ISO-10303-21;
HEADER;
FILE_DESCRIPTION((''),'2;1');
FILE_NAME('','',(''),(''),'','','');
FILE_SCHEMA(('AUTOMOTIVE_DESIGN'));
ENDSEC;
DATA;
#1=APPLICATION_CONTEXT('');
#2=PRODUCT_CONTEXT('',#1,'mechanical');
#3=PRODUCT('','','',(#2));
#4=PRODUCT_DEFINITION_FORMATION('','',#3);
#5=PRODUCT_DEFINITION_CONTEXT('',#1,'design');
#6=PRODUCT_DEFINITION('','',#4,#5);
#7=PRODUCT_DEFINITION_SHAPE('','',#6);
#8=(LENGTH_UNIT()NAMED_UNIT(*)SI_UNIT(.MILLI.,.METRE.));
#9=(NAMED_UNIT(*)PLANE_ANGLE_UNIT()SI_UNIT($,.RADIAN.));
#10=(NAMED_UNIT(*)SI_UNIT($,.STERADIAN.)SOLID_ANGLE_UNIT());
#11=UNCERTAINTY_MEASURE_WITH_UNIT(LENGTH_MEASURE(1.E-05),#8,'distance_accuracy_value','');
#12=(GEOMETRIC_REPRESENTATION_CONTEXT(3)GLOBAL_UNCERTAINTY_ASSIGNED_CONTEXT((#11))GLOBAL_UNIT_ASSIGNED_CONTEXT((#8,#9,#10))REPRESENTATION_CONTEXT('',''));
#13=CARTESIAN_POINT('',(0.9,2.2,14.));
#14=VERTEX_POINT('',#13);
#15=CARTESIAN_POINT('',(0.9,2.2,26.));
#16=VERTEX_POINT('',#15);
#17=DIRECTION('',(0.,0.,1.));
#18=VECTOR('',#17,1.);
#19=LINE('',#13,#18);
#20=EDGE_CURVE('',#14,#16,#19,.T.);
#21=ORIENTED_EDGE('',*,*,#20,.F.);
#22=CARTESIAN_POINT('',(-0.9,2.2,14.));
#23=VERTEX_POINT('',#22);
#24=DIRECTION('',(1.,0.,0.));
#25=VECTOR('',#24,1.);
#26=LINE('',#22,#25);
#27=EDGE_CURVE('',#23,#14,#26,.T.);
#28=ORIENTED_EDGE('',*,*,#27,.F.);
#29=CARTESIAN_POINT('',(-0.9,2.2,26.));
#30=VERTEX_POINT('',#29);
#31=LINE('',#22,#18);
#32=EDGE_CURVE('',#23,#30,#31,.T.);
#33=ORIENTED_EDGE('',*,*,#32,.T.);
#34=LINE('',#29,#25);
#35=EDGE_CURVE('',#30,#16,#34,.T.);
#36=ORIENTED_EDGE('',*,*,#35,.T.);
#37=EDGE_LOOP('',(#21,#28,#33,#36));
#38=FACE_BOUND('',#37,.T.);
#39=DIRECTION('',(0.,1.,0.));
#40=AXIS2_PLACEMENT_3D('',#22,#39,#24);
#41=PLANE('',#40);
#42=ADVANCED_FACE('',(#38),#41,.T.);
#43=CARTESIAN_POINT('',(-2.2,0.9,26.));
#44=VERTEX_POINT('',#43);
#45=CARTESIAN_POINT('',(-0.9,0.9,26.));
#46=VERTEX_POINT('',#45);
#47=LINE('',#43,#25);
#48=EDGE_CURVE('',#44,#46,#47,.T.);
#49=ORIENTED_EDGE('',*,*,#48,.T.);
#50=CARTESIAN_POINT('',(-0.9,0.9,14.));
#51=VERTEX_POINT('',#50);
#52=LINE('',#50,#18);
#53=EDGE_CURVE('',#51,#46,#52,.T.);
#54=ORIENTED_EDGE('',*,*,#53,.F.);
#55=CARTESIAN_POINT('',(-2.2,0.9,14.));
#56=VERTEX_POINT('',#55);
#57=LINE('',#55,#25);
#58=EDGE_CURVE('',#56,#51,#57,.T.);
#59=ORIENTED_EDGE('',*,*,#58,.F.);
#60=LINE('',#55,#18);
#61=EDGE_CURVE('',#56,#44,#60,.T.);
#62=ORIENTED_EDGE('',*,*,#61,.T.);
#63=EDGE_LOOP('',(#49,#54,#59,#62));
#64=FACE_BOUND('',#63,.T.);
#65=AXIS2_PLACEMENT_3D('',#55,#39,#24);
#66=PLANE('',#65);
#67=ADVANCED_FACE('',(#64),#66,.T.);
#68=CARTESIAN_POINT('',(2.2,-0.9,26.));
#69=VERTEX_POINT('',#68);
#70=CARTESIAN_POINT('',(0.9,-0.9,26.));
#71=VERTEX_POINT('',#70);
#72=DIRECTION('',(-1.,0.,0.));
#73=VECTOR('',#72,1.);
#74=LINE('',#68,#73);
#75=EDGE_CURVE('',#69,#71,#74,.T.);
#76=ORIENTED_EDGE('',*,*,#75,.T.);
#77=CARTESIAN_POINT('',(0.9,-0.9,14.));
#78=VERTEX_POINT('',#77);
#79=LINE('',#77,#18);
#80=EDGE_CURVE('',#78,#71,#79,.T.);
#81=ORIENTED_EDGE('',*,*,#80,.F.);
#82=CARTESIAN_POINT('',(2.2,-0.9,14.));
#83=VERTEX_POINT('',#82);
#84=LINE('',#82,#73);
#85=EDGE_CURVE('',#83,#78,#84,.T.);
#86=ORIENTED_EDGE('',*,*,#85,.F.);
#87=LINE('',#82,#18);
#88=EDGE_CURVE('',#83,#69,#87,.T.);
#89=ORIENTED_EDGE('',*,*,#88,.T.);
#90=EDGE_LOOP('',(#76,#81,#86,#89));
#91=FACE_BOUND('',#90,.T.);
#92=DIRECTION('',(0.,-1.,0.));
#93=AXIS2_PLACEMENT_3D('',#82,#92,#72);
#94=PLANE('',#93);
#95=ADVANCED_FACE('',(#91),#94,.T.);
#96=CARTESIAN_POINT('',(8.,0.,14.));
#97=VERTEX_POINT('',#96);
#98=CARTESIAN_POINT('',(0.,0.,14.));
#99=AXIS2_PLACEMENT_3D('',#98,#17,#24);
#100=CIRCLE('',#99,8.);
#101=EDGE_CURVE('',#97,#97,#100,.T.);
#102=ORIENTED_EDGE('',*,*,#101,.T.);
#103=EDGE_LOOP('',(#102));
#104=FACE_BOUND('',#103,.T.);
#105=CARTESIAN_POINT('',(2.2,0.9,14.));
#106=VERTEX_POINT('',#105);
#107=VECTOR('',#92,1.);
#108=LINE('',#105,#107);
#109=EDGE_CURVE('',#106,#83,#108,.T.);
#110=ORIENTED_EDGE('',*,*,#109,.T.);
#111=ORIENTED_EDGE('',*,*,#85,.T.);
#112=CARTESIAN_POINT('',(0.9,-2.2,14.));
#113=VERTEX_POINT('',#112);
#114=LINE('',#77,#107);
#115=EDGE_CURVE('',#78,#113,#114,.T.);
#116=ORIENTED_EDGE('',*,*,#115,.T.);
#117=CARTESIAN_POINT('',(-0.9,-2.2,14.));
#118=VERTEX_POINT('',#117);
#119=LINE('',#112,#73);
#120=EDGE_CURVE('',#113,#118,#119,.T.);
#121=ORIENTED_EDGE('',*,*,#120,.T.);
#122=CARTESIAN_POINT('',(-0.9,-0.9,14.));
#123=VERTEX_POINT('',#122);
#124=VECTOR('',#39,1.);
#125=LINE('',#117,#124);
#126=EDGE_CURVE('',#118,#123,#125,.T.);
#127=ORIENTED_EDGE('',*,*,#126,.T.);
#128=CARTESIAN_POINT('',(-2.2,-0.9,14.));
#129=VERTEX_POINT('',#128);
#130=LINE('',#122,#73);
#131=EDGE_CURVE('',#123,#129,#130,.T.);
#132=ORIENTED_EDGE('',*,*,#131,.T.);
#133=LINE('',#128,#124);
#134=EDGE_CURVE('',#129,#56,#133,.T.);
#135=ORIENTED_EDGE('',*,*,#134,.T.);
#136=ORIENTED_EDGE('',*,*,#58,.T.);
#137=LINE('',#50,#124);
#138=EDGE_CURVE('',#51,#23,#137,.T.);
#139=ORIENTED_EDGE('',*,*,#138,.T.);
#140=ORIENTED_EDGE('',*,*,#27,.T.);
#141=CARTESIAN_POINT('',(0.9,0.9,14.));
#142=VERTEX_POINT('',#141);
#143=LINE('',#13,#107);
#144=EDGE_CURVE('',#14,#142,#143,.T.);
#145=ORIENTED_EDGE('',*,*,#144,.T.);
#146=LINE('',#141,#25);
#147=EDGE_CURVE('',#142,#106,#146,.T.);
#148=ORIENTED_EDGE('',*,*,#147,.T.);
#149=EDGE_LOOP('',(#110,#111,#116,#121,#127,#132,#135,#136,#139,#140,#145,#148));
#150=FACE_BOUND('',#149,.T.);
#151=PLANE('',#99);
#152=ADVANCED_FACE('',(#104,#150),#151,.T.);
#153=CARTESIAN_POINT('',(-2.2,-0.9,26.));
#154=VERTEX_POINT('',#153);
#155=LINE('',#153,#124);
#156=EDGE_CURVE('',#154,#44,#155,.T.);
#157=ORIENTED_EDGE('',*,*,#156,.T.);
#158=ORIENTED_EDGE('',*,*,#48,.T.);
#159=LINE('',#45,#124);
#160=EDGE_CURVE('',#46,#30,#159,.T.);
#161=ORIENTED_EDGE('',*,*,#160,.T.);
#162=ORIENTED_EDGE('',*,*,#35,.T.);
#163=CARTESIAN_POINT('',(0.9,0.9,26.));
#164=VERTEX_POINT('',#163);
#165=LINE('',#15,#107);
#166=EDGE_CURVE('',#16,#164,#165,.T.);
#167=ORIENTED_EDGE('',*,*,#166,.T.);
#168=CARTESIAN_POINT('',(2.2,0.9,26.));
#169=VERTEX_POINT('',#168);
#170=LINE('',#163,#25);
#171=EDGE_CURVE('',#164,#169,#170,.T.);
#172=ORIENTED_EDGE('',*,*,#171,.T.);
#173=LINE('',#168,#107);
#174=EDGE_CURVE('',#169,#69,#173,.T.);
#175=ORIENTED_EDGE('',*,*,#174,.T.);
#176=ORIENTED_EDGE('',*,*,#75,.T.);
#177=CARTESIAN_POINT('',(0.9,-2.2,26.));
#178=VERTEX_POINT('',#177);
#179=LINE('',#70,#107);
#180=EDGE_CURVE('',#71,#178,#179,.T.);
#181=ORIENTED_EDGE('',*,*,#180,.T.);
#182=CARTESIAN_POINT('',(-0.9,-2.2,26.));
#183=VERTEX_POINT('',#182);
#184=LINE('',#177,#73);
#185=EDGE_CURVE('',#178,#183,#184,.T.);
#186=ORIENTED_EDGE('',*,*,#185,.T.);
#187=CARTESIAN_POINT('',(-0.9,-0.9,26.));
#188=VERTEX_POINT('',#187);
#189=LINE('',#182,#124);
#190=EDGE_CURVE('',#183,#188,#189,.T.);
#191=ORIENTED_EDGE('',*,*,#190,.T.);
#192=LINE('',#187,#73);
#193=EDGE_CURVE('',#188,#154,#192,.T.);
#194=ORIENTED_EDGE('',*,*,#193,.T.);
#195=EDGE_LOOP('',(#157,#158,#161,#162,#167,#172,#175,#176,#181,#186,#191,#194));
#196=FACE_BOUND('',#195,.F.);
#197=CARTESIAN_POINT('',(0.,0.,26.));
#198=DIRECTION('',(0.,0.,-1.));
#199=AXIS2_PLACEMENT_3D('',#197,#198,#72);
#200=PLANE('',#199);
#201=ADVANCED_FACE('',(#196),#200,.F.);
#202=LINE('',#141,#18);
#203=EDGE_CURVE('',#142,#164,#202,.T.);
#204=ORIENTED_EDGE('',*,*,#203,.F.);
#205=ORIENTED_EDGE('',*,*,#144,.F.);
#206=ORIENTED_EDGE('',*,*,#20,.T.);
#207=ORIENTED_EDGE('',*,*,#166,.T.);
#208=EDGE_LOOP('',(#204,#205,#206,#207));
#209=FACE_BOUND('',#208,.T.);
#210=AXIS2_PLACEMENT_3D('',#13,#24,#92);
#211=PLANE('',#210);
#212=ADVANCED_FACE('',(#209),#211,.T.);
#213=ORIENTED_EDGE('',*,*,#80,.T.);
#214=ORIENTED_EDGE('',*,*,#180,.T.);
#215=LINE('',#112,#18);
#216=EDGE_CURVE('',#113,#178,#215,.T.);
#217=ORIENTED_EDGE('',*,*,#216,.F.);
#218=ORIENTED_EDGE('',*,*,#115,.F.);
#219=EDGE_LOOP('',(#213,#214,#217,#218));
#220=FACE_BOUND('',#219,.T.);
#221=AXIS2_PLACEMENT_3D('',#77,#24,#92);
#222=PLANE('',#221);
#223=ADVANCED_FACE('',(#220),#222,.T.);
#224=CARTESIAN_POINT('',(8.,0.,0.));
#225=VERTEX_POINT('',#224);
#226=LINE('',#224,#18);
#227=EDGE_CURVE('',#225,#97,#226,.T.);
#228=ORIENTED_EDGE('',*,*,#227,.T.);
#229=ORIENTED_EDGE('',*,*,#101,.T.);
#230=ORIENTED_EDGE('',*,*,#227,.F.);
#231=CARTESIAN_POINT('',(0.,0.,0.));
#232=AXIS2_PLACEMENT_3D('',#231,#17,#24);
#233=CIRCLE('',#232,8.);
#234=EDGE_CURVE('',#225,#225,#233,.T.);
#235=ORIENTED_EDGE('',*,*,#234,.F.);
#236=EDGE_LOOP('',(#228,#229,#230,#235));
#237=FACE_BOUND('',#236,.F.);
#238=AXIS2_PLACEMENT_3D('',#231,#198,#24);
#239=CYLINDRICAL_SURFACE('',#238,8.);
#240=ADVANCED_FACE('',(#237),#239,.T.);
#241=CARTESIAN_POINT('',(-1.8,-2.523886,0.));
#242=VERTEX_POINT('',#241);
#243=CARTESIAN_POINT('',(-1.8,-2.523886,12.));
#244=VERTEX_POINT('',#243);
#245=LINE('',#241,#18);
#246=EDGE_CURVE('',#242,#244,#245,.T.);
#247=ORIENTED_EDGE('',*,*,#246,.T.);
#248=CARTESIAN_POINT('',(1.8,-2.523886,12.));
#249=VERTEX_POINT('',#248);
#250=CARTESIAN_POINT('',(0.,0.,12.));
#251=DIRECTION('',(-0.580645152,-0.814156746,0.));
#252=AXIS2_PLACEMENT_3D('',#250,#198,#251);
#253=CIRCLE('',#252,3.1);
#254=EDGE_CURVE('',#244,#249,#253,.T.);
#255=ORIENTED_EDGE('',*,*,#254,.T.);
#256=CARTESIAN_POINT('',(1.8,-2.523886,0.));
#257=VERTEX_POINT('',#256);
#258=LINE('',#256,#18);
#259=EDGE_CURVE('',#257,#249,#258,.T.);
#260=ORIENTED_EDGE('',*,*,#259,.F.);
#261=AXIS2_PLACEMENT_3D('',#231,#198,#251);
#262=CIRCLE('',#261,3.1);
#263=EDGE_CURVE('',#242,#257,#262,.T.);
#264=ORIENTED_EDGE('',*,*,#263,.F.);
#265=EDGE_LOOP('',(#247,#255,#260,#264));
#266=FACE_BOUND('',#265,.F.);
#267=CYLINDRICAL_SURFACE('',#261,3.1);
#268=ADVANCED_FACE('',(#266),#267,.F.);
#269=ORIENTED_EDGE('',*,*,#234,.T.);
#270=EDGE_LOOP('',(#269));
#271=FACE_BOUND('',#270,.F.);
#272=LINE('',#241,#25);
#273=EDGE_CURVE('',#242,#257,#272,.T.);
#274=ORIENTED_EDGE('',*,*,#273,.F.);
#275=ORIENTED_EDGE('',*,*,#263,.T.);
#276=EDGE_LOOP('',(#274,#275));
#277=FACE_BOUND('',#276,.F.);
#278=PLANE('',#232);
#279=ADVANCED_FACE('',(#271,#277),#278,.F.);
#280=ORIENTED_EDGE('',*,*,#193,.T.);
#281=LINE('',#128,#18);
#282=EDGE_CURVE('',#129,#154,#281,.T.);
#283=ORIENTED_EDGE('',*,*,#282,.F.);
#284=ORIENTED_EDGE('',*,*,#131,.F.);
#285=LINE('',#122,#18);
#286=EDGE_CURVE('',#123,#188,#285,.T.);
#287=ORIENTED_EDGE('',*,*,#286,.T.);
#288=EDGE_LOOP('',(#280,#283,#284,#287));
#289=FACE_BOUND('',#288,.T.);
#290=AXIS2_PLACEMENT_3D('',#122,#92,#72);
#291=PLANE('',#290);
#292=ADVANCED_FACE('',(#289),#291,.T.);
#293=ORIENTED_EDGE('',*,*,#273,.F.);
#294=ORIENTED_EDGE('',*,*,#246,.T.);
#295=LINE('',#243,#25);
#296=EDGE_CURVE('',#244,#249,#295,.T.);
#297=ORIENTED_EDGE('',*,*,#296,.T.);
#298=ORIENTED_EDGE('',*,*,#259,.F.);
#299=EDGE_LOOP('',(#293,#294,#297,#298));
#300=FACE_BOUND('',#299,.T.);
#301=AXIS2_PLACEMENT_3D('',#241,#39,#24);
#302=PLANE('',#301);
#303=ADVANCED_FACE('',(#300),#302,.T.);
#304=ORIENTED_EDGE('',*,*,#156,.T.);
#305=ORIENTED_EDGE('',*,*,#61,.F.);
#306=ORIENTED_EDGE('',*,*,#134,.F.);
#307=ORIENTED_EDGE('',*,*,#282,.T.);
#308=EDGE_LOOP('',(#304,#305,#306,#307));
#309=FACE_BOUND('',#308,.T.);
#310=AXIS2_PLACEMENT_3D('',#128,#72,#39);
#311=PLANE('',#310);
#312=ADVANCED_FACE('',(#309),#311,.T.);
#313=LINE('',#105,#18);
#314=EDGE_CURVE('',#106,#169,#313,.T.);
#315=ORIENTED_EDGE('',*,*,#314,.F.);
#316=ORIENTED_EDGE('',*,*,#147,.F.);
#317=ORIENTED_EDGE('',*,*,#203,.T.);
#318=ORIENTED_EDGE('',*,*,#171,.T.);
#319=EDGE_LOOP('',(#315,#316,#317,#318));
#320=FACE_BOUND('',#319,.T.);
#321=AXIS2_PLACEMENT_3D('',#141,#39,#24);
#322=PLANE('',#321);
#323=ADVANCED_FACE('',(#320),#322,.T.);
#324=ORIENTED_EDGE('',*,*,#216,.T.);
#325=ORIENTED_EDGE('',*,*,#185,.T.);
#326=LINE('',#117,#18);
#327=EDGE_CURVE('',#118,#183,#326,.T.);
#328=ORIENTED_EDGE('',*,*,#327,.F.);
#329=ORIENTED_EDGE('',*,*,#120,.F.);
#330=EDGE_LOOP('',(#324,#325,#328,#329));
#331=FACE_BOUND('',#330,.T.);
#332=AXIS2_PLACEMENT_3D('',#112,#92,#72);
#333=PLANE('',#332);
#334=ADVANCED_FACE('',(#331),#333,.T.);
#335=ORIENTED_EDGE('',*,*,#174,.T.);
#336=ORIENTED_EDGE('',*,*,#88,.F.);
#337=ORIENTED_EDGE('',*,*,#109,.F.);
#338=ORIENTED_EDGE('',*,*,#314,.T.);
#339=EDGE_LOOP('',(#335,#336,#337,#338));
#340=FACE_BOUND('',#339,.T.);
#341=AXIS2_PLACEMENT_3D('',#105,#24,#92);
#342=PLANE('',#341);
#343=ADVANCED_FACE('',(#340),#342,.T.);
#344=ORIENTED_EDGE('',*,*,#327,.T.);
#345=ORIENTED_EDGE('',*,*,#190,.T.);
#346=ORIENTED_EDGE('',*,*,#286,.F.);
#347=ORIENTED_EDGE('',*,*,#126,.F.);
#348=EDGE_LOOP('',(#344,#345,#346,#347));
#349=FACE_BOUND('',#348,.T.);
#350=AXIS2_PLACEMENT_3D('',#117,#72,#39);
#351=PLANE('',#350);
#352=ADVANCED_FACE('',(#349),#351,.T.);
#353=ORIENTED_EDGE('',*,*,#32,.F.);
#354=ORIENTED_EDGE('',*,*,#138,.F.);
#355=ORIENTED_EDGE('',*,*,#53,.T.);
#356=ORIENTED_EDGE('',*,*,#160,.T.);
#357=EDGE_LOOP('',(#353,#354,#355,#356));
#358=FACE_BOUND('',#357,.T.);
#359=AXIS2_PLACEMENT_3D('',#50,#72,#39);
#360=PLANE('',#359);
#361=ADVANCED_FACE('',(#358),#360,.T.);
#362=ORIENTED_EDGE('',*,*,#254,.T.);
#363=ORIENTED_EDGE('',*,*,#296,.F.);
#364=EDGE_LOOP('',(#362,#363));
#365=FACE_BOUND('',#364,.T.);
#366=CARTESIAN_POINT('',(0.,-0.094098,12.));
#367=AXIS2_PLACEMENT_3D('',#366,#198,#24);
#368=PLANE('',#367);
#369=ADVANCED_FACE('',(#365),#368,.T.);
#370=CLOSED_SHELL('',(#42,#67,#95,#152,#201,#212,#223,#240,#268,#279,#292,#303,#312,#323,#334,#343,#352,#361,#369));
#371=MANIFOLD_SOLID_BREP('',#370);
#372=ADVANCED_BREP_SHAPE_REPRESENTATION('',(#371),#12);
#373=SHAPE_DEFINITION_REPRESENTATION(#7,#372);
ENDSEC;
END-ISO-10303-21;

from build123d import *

# Parameters (mm, degrees)
SKETCH_R     = 8
PAD_DEPTH    = 14
PAD001_DEPTH = 12
POCKET_DEPTH = 12


with BuildPart() as part:
    # Sketch → Pad (new body)
    with BuildSketch(Plane.XY):
        Circle(SKETCH_R)
    extrude(amount=PAD_DEPTH)

    # Sketch001 → Pad001 (new body)
    with BuildSketch(Plane.XY.offset(14)):
        Polygon((-0.9, 2.2), (0.9, 2.2), (0.9, 0.9), (2.2, 0.9), (2.2, -0.9), (0.9, -0.9), (0.9, -2.2), (-0.9, -2.2), (-0.9, -0.9), (-2.2, -0.9), (-2.2, 0.9), (-0.9, 0.9), align=None)
    extrude(amount=PAD001_DEPTH)

    # Sketch002 → Pocket (cut)
    with BuildSketch(Plane(origin=(0, 0, 0), x_dir=(1, 0, 0), z_dir=(0, 0, -1))):
        with BuildLine():
            ThreePointArc((-1.8, 2.523886), (0, -3.1), (1.8, 2.523886))
            Line((-1.8, 2.523886), (1.8, 2.523886))
        make_face()
    extrude(amount=-POCKET_DEPTH, mode=Mode.SUBTRACT)


solid = part.part
